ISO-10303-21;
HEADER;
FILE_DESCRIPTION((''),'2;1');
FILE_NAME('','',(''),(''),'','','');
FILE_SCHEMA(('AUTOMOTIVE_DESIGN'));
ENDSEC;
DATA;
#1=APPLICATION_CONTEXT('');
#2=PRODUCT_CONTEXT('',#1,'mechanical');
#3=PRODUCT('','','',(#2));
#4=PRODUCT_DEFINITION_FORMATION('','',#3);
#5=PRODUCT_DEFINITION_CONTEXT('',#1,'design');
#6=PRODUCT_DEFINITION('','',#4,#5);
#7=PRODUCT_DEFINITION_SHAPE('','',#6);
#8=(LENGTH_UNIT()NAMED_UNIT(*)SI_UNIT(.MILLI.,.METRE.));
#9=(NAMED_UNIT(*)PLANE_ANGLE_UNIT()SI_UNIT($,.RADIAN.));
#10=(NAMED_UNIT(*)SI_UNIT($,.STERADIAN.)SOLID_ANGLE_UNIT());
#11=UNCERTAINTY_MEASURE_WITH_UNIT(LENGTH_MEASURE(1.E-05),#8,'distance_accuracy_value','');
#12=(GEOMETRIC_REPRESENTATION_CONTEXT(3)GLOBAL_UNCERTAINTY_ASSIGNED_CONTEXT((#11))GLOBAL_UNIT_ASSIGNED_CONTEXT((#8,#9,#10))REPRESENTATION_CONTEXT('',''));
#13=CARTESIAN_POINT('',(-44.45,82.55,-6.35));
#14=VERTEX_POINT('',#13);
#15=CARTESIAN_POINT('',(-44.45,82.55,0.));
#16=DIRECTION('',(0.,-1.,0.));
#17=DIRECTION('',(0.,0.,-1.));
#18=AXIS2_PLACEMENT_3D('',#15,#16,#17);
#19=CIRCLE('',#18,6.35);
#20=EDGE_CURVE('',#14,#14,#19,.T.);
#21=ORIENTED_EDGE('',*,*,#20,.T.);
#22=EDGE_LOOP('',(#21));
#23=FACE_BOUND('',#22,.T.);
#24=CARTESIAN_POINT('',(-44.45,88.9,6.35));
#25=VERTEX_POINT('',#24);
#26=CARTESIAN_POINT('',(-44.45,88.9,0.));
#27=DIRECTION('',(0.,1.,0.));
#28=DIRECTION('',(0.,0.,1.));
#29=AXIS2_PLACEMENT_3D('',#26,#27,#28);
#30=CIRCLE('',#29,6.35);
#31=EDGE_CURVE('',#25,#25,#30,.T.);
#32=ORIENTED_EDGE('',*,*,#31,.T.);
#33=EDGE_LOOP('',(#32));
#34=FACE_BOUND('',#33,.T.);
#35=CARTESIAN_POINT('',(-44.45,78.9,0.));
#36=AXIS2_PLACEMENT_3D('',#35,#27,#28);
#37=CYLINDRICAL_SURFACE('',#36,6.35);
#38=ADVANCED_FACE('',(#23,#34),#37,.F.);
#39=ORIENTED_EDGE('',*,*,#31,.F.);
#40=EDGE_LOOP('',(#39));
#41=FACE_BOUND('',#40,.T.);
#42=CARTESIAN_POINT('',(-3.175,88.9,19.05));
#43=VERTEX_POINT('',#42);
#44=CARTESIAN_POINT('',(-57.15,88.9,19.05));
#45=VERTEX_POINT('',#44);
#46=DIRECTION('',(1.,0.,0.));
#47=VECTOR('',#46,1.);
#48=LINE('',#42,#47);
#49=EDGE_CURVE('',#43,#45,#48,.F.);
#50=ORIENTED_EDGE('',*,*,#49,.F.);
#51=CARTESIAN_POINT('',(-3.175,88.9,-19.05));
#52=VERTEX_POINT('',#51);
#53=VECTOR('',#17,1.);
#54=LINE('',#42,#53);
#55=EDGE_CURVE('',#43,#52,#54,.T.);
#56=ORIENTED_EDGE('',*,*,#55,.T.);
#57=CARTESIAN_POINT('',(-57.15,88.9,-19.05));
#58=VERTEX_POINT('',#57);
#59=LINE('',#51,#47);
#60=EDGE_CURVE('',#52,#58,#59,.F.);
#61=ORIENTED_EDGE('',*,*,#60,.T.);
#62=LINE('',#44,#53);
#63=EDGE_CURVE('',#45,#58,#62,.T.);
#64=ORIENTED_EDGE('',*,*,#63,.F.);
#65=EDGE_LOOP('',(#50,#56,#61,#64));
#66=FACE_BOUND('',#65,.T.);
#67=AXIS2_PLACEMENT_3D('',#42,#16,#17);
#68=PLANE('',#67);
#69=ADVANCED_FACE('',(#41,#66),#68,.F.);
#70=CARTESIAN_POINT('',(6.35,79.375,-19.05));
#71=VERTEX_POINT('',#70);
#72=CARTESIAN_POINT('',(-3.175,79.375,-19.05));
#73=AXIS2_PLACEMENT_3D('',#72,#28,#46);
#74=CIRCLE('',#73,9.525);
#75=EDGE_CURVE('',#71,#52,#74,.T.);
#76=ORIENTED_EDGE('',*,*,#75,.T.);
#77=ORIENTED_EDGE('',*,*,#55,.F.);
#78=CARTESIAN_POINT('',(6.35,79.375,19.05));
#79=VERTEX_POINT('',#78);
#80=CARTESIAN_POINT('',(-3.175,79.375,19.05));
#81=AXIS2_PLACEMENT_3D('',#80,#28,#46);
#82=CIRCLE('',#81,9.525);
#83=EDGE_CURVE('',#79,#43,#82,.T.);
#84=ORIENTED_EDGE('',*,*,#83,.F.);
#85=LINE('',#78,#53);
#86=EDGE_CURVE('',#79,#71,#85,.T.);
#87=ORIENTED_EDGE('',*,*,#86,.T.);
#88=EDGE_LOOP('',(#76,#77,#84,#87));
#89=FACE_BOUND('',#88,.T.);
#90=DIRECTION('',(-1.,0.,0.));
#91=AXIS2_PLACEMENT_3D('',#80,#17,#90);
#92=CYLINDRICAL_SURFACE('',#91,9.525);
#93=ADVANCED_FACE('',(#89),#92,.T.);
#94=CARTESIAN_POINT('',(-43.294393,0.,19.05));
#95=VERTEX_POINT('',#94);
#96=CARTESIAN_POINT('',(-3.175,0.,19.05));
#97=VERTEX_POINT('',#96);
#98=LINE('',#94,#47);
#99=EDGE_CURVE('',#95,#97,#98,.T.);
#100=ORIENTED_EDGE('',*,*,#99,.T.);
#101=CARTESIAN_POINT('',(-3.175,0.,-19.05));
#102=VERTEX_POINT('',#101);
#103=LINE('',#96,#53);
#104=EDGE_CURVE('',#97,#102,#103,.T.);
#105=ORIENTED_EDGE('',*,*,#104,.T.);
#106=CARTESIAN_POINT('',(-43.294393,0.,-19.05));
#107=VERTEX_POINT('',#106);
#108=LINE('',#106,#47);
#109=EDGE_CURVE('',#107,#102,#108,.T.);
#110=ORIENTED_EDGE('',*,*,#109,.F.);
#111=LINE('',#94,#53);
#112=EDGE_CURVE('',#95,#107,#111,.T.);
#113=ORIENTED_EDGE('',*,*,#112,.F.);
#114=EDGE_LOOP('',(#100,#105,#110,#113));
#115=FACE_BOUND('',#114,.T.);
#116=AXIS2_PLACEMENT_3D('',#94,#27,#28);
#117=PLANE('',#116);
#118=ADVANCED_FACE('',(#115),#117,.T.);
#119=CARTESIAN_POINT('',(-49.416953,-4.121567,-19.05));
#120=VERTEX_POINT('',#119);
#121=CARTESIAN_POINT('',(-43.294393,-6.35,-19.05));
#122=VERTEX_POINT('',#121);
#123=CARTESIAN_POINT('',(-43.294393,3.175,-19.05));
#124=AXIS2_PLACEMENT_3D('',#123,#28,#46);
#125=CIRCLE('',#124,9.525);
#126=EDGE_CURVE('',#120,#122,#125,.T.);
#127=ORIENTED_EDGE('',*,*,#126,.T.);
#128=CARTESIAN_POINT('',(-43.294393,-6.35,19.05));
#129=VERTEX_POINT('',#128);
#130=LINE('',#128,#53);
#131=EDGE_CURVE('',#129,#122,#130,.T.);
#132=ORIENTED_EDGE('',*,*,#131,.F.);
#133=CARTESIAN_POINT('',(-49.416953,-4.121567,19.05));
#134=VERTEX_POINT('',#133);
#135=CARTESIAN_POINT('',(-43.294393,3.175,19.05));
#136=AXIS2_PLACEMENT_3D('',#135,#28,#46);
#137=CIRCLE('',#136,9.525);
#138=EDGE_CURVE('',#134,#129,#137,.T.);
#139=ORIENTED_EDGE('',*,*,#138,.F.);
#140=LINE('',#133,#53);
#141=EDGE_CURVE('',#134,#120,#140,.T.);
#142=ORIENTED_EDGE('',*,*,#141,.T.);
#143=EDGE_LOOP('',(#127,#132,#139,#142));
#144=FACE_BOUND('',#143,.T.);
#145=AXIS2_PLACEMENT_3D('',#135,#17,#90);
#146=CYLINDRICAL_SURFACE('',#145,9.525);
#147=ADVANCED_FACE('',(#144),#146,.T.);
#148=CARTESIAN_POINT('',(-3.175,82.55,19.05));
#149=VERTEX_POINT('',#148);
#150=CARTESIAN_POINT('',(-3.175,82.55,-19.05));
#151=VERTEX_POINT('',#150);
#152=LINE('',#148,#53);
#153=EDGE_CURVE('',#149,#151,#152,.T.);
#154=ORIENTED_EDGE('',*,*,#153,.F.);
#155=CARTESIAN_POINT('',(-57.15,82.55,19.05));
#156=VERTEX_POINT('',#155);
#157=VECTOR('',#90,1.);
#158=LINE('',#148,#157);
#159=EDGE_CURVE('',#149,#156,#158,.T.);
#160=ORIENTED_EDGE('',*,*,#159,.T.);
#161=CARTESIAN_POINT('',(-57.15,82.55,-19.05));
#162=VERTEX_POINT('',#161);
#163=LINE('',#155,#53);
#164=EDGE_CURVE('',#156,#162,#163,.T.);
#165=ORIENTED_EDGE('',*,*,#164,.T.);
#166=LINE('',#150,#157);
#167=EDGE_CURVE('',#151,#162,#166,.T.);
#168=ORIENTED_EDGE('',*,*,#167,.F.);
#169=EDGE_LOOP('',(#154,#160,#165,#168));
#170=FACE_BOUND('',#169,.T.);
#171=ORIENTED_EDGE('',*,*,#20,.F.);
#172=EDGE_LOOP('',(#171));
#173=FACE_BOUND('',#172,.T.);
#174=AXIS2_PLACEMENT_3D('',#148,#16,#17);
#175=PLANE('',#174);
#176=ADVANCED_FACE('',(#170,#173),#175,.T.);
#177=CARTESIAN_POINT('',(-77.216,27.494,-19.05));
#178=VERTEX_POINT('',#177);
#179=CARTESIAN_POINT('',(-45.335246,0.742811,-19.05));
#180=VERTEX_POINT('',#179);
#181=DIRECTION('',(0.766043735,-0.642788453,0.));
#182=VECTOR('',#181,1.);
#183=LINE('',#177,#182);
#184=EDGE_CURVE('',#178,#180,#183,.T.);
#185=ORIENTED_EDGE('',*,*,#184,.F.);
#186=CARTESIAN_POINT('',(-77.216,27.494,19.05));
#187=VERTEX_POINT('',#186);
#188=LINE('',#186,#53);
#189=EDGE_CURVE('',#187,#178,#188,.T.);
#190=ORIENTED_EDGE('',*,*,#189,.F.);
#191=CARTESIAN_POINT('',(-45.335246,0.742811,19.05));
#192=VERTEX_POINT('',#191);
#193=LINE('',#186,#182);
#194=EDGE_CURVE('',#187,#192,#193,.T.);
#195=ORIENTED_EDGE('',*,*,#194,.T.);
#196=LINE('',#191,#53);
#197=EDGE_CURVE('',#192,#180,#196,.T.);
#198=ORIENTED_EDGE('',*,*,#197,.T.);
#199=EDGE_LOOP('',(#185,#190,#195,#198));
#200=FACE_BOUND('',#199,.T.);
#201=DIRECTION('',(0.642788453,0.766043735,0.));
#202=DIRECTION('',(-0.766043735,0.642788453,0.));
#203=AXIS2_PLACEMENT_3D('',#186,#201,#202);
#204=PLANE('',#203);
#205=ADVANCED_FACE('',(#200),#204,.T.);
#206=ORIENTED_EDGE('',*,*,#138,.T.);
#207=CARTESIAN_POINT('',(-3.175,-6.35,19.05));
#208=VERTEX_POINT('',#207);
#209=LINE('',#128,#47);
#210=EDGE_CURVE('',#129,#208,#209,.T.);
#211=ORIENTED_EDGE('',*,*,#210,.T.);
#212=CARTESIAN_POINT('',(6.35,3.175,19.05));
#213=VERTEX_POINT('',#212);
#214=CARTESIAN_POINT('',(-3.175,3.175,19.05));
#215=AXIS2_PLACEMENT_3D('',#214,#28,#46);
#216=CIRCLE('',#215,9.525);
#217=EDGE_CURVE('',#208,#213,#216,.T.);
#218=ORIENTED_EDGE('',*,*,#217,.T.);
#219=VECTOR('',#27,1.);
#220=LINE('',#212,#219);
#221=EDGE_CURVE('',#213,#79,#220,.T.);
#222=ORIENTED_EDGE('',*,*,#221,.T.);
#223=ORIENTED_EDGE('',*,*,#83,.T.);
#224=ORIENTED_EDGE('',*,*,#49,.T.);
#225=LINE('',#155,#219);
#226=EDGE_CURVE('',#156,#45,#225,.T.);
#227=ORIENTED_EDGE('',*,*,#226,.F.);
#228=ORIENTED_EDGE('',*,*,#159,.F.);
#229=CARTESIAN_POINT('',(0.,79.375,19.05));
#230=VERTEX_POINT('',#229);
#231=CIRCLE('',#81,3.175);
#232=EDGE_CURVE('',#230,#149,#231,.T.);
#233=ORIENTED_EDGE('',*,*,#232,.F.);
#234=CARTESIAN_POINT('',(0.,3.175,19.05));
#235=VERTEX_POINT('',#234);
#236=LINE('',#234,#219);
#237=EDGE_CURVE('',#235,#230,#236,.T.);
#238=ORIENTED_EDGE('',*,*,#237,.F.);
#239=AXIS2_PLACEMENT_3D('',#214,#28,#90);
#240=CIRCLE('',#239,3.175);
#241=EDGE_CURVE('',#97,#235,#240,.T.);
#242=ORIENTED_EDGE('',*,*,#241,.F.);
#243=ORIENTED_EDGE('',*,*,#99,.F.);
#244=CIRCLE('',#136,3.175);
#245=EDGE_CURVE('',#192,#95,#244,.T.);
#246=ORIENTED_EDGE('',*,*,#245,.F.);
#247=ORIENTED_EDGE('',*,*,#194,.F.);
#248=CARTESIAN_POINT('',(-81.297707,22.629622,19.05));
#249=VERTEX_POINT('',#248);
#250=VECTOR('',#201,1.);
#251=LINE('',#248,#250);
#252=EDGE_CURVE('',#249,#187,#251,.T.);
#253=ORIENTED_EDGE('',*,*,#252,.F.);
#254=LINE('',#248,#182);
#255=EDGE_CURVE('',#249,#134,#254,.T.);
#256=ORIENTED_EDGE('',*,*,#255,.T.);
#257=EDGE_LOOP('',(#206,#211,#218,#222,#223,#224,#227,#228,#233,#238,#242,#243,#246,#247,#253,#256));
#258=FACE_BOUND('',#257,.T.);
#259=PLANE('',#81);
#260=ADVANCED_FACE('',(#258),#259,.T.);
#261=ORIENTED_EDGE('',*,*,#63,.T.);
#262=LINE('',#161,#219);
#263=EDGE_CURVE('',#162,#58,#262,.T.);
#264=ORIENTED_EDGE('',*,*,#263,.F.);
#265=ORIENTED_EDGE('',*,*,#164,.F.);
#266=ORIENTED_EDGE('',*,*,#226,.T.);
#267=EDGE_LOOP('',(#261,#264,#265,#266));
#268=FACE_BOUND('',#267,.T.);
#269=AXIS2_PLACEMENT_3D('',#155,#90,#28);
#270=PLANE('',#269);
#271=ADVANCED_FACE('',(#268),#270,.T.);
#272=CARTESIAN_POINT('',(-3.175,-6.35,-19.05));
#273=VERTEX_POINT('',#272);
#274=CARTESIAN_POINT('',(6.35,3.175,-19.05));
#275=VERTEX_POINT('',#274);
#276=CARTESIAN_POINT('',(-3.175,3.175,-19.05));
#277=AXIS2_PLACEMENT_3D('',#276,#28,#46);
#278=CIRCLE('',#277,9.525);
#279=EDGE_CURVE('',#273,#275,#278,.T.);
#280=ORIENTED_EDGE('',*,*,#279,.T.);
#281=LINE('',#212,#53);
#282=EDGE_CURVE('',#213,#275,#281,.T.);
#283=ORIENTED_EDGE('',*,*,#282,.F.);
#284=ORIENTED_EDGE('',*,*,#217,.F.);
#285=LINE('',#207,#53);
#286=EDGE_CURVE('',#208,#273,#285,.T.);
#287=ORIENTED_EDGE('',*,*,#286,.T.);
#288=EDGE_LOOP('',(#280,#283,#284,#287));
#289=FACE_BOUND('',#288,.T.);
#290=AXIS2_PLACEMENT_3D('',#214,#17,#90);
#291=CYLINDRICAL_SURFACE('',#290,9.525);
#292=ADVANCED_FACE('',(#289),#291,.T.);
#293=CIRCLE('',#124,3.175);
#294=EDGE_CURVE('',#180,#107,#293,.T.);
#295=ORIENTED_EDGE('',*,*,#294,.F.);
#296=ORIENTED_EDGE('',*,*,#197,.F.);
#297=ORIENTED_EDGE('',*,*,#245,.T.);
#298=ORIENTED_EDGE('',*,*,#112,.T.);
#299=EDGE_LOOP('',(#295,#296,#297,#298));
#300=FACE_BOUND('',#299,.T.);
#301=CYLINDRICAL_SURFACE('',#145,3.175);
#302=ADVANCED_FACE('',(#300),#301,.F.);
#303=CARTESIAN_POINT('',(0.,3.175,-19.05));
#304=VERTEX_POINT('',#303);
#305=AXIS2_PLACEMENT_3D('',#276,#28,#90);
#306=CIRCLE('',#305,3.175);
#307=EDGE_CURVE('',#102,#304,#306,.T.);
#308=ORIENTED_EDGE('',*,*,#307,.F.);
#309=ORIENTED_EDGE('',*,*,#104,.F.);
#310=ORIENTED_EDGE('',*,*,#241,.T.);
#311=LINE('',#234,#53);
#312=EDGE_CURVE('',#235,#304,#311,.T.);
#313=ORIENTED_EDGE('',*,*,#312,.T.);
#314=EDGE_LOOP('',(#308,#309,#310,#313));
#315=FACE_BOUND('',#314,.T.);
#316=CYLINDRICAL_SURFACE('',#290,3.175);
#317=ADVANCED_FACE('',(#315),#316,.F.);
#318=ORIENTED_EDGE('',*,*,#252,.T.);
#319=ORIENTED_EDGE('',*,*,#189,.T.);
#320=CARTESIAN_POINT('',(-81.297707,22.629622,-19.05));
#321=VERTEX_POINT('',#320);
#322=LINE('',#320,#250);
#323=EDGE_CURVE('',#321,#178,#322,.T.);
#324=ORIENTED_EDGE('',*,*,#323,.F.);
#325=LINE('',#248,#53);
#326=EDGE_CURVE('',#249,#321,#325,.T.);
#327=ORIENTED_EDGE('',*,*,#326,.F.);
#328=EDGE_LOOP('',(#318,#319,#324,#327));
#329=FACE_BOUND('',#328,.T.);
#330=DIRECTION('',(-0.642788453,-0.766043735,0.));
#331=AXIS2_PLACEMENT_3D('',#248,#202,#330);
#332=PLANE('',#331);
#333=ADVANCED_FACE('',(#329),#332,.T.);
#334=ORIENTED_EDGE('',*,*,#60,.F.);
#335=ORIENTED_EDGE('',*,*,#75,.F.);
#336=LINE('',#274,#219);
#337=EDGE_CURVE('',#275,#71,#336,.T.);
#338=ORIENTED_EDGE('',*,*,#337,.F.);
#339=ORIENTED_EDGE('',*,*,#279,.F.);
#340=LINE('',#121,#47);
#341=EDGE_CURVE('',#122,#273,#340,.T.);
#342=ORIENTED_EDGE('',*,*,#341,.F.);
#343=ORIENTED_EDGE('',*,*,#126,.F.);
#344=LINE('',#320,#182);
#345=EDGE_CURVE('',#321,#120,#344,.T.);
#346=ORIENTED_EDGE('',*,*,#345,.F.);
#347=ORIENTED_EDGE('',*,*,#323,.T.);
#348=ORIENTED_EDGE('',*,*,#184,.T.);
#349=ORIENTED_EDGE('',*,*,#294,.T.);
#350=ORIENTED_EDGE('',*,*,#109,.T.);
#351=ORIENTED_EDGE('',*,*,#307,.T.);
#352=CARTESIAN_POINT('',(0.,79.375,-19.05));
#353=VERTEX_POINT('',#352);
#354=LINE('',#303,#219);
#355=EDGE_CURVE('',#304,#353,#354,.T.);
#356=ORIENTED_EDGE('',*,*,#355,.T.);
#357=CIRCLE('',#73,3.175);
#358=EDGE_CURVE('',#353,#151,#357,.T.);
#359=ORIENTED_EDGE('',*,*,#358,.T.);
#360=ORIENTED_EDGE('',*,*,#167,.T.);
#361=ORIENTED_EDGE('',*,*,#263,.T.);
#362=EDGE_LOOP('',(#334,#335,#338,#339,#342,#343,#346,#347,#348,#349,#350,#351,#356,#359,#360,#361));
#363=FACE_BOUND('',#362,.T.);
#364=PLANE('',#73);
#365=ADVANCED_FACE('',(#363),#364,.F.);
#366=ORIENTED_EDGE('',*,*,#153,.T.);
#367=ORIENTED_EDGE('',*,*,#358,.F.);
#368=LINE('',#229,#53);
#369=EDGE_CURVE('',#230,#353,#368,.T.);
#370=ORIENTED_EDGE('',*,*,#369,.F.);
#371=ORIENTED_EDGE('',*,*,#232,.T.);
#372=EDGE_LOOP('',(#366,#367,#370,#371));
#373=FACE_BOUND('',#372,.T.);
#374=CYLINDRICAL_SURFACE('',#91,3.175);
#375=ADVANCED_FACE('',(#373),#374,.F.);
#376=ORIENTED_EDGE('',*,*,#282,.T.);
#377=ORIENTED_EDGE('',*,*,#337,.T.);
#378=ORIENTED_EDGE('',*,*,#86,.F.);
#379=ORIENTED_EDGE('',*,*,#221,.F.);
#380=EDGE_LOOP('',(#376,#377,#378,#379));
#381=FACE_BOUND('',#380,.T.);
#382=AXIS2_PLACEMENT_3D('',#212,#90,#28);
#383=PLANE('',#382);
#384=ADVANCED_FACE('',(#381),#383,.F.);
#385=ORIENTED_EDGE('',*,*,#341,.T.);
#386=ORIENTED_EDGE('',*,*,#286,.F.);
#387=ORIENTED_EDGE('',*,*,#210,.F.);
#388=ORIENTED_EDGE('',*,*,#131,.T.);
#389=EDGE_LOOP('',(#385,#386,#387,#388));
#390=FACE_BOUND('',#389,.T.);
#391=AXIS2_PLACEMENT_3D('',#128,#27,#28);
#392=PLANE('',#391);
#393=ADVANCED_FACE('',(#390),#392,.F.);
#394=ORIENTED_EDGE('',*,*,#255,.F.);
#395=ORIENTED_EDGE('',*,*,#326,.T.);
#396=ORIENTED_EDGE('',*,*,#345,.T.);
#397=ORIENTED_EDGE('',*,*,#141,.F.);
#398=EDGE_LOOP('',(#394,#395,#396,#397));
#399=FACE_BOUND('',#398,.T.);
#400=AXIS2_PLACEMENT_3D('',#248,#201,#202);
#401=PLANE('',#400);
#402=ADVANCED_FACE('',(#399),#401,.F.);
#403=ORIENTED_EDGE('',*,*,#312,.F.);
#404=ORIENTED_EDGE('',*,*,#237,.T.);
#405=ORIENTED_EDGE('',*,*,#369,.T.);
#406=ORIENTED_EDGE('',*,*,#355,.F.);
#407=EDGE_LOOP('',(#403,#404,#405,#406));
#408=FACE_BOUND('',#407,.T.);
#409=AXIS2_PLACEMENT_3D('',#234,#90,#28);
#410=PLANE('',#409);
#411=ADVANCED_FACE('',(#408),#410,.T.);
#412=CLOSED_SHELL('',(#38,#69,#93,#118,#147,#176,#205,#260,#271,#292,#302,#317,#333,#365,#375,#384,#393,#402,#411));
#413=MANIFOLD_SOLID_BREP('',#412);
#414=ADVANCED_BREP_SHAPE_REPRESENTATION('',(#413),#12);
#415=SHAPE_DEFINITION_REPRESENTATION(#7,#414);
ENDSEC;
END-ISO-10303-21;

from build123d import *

# Parameters (mm, degrees)
EXTRUDE_THIN1_DEPTH = 19.05
SKETCH2_R           = 6.35
CUT_EXTRUDE1_DEPTH  = 10


with BuildPart() as part:
    # Sketch1 → Extrude-Thin1 (new, symmetric)
    with BuildSketch(Plane.XY):
        with BuildLine():
            Line((-77.216, 27.494), (-45.335245866, 0.74281114))
            ThreePointArc((-45.335245866, 0.74281114), (-44.380308124, 0.191476527), (-43.294392527, 0))
            Line((-43.294392527, 0), (-3.175, 0))
            ThreePointArc((-3.175, 0), (-0.92993597, 0.92993597), (0, 3.175))
            Line((0, 3.175), (0, 79.375))
            ThreePointArc((0, 79.375), (-0.92993597, 81.62006403), (-3.175, 82.55))
            Line((-3.175, 82.55), (-57.15, 82.55))
            Line((-57.15, 82.55), (-57.15, 88.9))
            Line((-57.15, 88.9), (-3.175, 88.9))
            ThreePointArc((-3.175, 88.9), (3.560192091, 86.110192091), (6.35, 79.375))
            Line((6.35, 79.375), (6.35, 3.175))
            ThreePointArc((6.35, 3.175), (3.560192091, -3.560192091), (-3.175, -6.35))
            Line((-3.175, -6.35), (-43.294392527, -6.35))
            ThreePointArc((-43.294392527, -6.35), (-46.55213932, -5.775570419), (-49.416952544, -4.121566579))
            Line((-49.416952544, -4.121566579), (-81.297706678, 22.629622281))
            Line((-81.297706678, 22.629622281), (-77.216, 27.494))
        make_face()
    extrude(amount=EXTRUDE_THIN1_DEPTH, both=True)

    # Sketch2 → Cut-Extrude1 (cut)
    with BuildSketch(Plane(origin=(0, 88.9, 0), x_dir=(1, 0, 0), z_dir=(0, 1, 0))):
        with Locations(Location((-44.45, 0, 0), (0, 0, 270))):
            Circle(SKETCH2_R)
    extrude(amount=-CUT_EXTRUDE1_DEPTH, mode=Mode.SUBTRACT)


solid = part.part
